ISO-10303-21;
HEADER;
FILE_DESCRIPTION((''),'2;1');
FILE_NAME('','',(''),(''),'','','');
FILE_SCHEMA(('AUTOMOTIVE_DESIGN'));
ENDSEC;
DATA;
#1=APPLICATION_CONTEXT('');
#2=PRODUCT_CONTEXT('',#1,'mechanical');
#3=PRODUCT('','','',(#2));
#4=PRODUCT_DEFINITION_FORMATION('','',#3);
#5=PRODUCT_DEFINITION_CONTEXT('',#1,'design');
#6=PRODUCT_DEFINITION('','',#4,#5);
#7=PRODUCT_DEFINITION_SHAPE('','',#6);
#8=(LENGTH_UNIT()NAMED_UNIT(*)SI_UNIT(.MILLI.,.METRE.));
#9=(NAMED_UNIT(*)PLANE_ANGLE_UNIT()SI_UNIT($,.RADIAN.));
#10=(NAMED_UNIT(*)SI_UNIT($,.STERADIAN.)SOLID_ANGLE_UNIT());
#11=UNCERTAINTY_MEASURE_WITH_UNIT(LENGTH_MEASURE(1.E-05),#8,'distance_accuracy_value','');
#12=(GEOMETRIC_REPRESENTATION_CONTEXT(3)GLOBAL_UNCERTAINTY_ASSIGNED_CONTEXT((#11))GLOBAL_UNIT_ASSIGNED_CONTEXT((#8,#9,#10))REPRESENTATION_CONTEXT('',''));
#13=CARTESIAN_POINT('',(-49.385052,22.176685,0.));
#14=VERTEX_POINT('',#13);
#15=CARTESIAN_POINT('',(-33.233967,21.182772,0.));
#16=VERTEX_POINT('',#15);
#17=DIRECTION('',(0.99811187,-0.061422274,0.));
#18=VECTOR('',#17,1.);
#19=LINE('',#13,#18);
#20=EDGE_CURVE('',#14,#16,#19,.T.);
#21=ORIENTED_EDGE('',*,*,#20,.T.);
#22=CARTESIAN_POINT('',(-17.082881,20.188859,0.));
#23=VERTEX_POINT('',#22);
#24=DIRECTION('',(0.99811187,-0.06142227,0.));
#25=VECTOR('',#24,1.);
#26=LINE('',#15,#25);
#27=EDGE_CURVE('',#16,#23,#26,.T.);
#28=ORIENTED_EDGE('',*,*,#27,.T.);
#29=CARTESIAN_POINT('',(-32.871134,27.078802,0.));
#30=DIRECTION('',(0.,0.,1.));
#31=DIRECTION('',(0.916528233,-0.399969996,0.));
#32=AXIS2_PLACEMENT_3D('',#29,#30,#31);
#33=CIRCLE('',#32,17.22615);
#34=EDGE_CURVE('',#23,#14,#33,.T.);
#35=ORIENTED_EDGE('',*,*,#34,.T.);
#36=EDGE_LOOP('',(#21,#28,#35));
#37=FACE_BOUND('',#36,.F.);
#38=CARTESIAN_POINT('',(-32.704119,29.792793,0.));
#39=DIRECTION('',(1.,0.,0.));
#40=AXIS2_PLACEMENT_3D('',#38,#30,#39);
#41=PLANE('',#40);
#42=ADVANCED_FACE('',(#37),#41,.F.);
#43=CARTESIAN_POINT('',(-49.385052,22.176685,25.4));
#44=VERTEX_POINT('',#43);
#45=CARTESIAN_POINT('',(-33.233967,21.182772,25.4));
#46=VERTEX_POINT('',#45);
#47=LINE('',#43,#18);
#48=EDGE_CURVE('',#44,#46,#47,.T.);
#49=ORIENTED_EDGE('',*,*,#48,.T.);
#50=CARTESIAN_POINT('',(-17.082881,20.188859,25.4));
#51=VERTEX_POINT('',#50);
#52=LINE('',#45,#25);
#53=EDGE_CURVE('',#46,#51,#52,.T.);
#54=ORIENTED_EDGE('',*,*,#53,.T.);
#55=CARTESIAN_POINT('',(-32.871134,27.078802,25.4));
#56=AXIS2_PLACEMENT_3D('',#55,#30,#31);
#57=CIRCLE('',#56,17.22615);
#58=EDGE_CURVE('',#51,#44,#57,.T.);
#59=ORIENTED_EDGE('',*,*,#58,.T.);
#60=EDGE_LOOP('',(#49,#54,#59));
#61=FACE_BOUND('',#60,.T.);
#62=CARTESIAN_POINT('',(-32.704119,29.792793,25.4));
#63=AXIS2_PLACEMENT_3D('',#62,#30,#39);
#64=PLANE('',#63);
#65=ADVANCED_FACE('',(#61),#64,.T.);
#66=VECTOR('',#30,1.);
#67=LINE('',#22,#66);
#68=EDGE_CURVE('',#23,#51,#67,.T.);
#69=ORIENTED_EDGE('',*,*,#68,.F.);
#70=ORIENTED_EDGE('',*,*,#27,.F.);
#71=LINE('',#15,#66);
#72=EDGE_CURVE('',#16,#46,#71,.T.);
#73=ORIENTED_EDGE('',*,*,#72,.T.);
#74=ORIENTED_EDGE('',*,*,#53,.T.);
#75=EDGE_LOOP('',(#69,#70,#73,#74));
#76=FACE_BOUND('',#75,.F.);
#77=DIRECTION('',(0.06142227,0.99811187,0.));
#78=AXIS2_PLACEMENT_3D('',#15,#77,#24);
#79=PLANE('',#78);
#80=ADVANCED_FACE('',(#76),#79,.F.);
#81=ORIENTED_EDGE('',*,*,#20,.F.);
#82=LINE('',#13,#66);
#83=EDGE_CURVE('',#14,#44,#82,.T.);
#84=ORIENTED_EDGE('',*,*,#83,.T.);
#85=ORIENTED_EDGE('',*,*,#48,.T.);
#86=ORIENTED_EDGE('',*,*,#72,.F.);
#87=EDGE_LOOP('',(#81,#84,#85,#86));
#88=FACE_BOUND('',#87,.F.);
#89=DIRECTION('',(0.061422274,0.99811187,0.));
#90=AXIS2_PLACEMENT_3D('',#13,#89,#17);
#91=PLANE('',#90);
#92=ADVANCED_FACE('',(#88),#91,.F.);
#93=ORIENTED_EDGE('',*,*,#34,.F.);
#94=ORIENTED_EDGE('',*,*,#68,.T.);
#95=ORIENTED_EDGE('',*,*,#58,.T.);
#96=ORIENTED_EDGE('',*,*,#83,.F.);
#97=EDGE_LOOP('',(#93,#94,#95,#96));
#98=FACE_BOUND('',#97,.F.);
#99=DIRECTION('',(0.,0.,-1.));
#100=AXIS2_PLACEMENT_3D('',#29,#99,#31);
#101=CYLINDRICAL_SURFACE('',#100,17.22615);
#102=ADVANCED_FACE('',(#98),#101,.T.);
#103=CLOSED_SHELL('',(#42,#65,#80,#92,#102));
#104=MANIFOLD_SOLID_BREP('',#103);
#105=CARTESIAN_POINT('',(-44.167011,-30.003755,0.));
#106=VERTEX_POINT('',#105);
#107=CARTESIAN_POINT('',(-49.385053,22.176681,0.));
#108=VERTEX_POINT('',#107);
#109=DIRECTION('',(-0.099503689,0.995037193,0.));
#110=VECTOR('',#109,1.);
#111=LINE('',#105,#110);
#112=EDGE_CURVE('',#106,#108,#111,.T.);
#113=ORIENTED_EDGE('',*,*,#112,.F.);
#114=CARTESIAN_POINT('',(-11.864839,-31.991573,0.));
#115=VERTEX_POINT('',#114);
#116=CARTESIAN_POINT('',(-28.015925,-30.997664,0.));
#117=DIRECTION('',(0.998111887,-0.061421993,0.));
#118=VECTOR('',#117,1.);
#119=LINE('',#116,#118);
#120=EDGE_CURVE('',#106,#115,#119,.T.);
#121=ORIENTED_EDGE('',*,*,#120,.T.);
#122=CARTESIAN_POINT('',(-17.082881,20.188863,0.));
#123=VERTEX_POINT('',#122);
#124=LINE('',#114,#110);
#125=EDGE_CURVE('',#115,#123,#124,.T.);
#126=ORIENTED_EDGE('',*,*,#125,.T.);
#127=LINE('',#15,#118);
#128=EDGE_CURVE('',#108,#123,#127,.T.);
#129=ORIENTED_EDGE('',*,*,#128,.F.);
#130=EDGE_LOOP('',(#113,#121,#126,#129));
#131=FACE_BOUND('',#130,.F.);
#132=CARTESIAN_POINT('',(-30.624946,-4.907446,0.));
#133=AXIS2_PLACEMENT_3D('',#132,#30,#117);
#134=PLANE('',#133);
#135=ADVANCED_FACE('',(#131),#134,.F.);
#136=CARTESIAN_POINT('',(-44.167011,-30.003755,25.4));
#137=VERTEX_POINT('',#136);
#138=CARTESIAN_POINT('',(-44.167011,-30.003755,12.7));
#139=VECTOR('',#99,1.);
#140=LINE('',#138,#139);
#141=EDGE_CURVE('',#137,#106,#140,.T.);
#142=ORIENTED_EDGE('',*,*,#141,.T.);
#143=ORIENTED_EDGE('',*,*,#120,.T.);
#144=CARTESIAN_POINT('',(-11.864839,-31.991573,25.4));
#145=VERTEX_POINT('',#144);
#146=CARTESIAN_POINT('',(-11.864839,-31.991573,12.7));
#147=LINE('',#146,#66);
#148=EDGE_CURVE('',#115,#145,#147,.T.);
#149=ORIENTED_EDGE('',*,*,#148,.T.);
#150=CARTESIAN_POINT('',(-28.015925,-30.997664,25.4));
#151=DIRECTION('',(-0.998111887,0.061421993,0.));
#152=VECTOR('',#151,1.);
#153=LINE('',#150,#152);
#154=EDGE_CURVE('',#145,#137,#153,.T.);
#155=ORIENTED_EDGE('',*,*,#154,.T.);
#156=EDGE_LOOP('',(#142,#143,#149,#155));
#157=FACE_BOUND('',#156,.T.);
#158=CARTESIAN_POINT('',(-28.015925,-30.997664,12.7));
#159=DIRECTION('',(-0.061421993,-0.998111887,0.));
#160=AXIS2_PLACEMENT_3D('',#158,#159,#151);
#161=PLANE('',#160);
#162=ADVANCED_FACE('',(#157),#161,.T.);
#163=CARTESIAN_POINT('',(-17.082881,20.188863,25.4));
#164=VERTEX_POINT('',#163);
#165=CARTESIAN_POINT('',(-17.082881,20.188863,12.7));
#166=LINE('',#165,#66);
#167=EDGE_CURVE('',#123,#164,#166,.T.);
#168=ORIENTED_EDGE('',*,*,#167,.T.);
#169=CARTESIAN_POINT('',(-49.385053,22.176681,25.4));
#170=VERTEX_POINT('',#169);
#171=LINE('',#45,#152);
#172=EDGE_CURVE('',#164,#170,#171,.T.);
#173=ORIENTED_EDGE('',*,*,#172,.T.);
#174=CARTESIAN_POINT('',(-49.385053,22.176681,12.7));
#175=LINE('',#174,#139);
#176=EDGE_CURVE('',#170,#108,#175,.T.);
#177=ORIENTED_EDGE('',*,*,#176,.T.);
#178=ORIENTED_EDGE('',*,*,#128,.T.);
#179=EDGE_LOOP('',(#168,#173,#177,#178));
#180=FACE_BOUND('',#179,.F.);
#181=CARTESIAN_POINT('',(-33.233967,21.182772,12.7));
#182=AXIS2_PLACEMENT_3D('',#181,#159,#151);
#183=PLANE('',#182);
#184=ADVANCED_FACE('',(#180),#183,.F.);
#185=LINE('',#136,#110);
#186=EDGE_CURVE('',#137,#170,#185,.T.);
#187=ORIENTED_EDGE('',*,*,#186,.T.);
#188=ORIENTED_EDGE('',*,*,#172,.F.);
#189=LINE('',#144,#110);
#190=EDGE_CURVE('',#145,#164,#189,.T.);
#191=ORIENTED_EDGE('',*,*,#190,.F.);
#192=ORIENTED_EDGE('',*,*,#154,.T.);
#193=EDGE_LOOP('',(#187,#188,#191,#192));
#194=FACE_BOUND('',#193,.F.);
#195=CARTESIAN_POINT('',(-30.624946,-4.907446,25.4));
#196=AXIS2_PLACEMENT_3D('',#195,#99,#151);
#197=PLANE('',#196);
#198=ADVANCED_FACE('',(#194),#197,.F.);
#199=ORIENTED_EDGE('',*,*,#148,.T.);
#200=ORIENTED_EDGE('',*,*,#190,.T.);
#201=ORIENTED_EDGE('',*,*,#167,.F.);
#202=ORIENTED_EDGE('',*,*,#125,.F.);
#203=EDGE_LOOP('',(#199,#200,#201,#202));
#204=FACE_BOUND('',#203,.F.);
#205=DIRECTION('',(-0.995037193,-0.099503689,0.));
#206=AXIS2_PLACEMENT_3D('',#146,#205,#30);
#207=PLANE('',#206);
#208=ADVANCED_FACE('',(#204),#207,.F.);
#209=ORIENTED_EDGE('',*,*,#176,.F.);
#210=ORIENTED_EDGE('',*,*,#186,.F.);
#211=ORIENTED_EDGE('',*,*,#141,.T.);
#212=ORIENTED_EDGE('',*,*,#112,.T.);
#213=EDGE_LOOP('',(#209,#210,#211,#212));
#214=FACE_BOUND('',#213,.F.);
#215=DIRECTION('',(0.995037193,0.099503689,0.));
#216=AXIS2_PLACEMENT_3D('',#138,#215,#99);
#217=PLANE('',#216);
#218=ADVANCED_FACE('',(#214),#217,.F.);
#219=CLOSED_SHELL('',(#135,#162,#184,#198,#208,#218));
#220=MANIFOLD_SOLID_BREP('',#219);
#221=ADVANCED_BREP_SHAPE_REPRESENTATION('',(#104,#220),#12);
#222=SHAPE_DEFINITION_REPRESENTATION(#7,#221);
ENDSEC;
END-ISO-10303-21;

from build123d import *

# Parameters (mm, degrees)
F1_DEPTH  = 25.4
F1_FACE_W = 32.363278
F1_FACE_H = 25.4


with BuildPart() as f1:
    # F0 (on Top) → F1 (new body)
    with BuildSketch(Plane.XY):
        with BuildLine():
            ThreePointArc((-17.082881, 20.188859), (-31.813065, 44.272427), (-49.385052, 22.176685))
            Line((-49.385052, 22.176685), (-33.233967, 21.182772))
            Line((-33.233967, 21.182772), (-17.082881, 20.188859))
        make_face()
    extrude(amount=F1_DEPTH)


with BuildPart() as f2:
    # F2: sweep along a path in F0
    with BuildLine(Plane.XY) as f2_path:
        Line((-28.015925, -30.997664), (-33.233967, 21.182772))
    # F1_face (on face) → F2 (sweep)
    with BuildSketch(Plane(origin=(-33.233967, 21.182772, 12.7), x_dir=(0.998112, -0.061422, 0), z_dir=(-0.061422, -0.998112, 0))):
        Rectangle(F1_FACE_W, F1_FACE_H)
    sweep(path=f2_path.line)


solid = Compound([f1.part, f2.part])
